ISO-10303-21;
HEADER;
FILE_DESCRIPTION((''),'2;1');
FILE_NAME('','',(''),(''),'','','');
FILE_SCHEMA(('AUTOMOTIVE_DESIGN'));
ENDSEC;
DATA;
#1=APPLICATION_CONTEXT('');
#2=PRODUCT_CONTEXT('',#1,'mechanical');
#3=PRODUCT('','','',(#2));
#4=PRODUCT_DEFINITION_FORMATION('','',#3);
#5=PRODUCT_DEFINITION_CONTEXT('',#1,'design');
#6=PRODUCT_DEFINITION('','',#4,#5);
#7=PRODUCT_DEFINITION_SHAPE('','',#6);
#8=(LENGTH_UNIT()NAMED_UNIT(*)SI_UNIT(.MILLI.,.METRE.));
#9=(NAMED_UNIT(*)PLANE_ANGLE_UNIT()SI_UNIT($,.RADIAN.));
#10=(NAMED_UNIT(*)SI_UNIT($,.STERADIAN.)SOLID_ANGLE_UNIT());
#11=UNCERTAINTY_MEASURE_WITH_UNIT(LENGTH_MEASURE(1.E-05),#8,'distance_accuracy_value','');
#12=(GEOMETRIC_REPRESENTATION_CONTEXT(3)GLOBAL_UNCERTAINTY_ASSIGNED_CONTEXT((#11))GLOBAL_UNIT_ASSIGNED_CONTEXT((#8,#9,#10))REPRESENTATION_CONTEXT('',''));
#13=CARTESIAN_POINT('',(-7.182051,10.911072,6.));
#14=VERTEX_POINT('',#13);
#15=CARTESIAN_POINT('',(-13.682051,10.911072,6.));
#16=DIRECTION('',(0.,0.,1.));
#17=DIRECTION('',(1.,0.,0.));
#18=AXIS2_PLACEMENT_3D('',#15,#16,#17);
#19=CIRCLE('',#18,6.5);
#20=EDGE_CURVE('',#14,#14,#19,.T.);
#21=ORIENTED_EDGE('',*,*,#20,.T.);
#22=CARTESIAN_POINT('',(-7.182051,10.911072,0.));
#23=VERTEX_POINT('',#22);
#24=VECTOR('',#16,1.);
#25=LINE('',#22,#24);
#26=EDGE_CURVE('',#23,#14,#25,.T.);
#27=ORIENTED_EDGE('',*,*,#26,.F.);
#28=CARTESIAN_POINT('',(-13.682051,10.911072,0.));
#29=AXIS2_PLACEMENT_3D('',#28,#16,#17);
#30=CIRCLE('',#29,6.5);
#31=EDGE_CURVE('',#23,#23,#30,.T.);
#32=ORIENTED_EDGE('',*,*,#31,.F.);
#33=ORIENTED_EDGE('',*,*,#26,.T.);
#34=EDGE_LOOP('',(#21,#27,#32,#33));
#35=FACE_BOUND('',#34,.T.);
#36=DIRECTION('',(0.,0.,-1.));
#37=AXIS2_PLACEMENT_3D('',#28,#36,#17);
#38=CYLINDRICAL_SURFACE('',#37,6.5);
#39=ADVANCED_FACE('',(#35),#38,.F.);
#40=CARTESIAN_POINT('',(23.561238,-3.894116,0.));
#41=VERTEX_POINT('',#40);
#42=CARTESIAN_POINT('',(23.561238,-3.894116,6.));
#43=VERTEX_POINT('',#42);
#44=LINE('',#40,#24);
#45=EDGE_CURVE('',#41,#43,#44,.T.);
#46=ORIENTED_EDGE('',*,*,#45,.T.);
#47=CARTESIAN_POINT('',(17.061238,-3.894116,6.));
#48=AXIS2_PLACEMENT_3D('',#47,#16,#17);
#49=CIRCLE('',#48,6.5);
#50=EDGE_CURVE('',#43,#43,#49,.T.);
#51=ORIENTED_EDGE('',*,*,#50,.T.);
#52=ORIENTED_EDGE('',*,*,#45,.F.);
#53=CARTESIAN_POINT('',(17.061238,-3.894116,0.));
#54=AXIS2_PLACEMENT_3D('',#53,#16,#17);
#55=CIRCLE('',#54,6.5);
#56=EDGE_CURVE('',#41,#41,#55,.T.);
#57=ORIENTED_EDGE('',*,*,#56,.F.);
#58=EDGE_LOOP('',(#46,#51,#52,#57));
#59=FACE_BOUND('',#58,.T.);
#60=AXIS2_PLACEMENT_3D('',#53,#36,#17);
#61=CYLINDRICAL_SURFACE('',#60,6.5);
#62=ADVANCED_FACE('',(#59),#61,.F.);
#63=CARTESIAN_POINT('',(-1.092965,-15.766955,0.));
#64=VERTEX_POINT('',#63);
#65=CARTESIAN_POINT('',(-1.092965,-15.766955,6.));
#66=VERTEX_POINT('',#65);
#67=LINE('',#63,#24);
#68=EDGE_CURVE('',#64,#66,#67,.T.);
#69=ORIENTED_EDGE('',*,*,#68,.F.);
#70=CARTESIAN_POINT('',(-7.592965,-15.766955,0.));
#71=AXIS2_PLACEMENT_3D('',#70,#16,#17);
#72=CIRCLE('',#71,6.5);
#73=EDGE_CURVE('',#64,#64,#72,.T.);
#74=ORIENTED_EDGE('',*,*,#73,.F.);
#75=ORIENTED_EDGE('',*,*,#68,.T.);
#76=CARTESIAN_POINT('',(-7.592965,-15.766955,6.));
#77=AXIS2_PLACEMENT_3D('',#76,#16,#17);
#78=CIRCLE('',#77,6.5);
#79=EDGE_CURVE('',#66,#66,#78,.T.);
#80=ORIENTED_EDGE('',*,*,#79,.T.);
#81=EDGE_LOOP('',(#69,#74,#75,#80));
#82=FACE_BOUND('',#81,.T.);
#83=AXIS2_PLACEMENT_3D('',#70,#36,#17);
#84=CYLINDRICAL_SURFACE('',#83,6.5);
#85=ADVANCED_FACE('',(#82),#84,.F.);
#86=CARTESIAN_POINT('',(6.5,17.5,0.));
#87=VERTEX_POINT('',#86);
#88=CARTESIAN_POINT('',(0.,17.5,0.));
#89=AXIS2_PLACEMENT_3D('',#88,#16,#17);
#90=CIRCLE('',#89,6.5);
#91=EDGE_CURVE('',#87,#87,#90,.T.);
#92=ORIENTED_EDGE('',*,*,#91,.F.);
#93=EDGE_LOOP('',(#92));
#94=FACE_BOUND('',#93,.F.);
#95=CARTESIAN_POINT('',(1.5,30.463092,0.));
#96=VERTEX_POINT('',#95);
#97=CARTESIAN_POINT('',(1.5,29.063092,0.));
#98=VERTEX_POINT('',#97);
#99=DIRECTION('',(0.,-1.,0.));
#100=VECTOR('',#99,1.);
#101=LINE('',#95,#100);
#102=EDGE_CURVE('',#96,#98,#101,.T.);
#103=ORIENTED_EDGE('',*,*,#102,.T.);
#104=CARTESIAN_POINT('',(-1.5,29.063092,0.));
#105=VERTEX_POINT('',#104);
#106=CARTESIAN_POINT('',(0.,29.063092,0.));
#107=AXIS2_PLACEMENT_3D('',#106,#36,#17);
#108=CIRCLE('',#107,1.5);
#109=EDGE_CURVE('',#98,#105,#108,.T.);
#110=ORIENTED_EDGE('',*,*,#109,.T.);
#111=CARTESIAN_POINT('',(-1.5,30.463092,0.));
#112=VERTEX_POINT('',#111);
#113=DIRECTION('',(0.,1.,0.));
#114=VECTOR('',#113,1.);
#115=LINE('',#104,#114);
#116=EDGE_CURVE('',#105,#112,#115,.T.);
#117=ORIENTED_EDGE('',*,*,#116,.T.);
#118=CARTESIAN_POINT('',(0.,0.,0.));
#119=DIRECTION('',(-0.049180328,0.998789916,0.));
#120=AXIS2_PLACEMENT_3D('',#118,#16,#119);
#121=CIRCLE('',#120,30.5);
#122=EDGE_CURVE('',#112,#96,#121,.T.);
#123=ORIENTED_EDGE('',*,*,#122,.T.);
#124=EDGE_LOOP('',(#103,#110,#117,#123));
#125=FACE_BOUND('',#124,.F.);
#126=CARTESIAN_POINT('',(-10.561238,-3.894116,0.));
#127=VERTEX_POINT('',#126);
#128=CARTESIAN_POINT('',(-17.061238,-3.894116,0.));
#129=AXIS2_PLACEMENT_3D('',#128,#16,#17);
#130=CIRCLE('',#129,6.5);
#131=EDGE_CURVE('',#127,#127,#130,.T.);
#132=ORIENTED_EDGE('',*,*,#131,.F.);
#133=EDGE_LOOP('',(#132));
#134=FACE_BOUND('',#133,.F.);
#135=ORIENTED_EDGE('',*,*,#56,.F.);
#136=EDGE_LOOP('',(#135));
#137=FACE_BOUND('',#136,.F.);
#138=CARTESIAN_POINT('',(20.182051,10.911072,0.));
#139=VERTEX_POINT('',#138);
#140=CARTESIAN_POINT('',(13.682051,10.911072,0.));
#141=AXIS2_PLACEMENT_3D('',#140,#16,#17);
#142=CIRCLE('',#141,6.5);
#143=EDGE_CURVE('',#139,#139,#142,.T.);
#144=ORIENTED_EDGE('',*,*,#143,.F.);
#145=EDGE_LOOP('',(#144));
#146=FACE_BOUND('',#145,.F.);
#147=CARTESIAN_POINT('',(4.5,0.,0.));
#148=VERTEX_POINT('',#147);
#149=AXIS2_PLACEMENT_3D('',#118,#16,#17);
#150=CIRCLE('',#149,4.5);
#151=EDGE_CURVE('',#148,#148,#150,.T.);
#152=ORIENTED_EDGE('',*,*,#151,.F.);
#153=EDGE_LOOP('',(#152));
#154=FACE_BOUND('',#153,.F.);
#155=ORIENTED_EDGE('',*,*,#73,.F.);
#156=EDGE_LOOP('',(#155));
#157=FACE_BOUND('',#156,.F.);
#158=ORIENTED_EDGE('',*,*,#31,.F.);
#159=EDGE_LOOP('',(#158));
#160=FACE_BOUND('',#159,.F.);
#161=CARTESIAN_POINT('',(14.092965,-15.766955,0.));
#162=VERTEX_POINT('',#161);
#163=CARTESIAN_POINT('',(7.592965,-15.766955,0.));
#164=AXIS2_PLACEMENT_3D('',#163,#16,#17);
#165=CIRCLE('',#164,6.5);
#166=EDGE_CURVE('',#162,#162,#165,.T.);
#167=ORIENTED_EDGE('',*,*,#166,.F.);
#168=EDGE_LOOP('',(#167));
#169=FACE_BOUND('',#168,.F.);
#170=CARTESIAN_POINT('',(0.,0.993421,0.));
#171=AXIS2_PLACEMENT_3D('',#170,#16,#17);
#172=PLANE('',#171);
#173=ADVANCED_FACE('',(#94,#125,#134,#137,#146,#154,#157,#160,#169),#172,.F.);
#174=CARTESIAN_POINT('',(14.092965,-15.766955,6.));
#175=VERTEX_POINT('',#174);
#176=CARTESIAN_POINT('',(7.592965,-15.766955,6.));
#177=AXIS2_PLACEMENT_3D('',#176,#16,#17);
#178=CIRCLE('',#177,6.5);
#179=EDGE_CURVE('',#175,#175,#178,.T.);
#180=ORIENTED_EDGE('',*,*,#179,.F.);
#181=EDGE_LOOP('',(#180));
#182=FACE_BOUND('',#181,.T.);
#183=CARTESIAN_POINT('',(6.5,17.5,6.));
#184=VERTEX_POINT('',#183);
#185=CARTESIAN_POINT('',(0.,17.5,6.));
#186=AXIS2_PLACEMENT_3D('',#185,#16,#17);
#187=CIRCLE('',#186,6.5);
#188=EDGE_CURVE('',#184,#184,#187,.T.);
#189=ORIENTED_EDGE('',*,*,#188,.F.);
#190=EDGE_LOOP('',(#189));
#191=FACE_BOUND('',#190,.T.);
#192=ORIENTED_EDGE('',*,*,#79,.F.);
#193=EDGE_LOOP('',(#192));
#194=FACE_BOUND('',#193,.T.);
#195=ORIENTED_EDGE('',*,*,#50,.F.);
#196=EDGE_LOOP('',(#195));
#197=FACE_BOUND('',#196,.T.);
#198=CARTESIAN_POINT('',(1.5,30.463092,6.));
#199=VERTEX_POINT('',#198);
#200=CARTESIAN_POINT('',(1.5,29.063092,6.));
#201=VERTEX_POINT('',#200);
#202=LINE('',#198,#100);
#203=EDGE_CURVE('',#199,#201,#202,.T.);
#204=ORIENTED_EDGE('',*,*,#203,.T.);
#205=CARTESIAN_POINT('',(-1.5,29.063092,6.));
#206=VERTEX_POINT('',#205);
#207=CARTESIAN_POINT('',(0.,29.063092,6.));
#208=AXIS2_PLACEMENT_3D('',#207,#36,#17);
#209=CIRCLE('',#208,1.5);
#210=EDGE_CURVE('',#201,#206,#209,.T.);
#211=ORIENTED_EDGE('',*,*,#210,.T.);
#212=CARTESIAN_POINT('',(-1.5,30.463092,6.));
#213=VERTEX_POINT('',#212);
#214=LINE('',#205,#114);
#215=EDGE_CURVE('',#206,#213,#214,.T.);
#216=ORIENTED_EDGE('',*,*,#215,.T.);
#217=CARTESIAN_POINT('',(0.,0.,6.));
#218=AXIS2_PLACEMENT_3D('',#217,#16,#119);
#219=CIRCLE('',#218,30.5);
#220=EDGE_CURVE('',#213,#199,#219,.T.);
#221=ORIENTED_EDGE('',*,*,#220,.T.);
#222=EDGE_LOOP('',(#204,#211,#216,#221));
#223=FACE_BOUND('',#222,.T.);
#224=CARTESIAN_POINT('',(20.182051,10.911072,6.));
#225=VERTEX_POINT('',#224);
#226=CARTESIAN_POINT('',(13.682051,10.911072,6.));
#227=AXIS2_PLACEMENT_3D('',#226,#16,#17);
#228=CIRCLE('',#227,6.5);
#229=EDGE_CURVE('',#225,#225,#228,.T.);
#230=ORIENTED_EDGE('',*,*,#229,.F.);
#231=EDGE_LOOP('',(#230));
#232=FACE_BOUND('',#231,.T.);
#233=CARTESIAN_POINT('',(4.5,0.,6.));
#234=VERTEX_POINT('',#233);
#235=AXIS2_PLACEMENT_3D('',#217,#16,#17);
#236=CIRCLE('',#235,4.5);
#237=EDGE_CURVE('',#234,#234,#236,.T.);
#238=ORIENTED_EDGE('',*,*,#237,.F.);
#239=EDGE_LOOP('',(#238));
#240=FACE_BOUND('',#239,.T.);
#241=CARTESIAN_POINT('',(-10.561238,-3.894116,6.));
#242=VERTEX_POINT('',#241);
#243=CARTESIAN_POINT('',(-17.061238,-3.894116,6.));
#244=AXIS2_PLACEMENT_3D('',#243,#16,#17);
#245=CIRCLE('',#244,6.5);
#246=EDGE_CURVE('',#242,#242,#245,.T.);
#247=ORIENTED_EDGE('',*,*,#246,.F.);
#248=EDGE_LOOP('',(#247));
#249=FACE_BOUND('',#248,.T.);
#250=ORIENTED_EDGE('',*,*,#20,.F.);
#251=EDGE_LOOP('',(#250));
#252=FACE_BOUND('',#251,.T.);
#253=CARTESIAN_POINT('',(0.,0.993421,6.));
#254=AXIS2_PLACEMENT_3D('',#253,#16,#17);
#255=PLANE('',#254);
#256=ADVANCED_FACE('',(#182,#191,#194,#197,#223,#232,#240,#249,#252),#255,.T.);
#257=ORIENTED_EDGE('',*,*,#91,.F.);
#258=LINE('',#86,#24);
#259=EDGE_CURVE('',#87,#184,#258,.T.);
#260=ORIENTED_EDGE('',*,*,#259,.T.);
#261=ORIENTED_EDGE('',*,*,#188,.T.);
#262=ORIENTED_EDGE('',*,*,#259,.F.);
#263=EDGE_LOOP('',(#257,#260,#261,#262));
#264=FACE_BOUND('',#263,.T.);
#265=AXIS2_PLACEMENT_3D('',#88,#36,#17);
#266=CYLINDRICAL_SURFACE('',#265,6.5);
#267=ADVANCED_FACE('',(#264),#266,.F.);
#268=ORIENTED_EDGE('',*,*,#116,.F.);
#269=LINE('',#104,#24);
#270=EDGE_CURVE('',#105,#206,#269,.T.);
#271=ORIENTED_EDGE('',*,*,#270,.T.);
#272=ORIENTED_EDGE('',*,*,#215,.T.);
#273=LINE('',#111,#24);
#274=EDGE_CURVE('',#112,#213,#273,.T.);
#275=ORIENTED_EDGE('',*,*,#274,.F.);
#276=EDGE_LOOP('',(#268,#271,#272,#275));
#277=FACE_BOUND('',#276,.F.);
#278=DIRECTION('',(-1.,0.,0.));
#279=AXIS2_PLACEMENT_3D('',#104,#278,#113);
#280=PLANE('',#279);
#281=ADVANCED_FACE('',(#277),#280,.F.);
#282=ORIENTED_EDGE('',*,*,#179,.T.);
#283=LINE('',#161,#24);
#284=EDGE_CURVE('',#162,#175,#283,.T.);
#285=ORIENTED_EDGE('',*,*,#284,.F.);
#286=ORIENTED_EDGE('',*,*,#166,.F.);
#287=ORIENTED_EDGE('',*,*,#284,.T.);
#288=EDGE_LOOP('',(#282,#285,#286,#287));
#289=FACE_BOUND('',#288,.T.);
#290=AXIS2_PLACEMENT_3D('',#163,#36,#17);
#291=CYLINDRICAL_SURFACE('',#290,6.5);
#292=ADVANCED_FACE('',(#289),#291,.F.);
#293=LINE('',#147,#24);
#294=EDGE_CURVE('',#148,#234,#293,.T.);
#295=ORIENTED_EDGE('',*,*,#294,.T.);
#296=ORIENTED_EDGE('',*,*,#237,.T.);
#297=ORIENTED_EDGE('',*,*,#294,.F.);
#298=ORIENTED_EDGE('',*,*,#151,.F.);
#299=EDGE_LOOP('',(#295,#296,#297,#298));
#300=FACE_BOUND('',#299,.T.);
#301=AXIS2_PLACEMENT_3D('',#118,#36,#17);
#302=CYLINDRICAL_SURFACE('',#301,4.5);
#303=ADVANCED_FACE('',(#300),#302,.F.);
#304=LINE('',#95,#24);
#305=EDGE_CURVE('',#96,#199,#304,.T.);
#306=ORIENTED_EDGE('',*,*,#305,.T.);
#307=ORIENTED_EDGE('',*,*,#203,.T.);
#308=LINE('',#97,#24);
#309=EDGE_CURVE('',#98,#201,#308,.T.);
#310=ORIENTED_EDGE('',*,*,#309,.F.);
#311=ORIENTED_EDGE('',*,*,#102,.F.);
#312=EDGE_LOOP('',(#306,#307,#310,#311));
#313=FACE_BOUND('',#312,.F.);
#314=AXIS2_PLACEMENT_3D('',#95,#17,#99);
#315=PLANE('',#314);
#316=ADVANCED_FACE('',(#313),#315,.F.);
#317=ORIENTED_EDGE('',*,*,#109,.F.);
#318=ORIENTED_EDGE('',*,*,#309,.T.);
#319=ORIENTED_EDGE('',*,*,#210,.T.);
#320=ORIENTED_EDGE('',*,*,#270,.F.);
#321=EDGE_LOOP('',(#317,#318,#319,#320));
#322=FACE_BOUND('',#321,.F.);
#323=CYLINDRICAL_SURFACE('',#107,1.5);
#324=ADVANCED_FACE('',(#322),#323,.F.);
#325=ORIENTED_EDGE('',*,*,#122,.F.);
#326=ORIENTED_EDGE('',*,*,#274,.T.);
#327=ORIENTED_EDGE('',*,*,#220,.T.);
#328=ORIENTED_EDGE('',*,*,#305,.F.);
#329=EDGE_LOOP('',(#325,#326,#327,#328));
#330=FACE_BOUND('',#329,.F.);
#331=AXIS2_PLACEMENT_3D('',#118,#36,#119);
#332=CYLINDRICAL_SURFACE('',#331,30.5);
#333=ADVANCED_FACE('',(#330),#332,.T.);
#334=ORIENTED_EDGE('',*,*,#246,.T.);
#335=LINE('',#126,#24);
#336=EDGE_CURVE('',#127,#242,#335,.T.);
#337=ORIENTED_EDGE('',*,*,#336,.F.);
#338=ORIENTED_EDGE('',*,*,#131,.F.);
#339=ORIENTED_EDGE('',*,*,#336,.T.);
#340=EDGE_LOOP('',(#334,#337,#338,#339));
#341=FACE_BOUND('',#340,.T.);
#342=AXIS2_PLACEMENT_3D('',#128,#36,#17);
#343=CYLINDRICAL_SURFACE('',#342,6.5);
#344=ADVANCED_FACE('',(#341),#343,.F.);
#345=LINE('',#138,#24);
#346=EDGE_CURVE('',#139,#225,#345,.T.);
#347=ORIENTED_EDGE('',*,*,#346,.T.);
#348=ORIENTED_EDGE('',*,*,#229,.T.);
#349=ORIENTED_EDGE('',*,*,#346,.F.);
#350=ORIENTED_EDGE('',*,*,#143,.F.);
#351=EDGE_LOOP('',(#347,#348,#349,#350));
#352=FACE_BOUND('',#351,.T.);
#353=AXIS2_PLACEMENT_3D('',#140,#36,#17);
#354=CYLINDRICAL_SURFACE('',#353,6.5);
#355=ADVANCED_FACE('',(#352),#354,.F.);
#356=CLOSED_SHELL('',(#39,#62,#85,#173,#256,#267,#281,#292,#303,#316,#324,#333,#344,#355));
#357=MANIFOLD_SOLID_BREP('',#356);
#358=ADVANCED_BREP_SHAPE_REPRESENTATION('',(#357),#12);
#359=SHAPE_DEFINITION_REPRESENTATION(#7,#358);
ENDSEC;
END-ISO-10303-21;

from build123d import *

# Parameters (mm, degrees)
SZKIC1_R                    = 4.5
SZKIC1_R_2                  = 6.5
DODANIE_WYCI_GNI_CIE1_DEPTH = 6


with BuildPart() as part:
    # Szkic1 → Dodanie-wyciągnięcie1 (new body)
    with BuildSketch(Plane.XY):
        with BuildLine():
            Line((-1.5, 29.063092423), (-1.5, 30.463092423))
            ThreePointArc((-1.5, 30.463092423), (0, -30.5), (1.5, 30.463092423))
            Line((1.5, 30.463092423), (1.5, 29.063092423))
            ThreePointArc((1.5, 29.063092423), (0, 27.563092423), (-1.5, 29.063092423))
        make_face()
        Circle(SZKIC1_R, mode=Mode.SUBTRACT)
        with Locations((0, 17.5)):
            Circle(SZKIC1_R_2, mode=Mode.SUBTRACT)
        with Locations((13.682050943, 10.911071533)):
            Circle(SZKIC1_R_2, mode=Mode.SUBTRACT)
        with Locations((17.061238463, -3.894116344)):
            Circle(SZKIC1_R_2, mode=Mode.SUBTRACT)
        with Locations((7.592965435, -15.766955188)):
            Circle(SZKIC1_R_2, mode=Mode.SUBTRACT)
        with Locations((-7.592965435, -15.766955188)):
            Circle(SZKIC1_R_2, mode=Mode.SUBTRACT)
        with Locations((-17.061238463, -3.894116344)):
            Circle(SZKIC1_R_2, mode=Mode.SUBTRACT)
        with Locations((-13.682050943, 10.911071533)):
            Circle(SZKIC1_R_2, mode=Mode.SUBTRACT)
    extrude(amount=DODANIE_WYCI_GNI_CIE1_DEPTH)


solid = part.part
